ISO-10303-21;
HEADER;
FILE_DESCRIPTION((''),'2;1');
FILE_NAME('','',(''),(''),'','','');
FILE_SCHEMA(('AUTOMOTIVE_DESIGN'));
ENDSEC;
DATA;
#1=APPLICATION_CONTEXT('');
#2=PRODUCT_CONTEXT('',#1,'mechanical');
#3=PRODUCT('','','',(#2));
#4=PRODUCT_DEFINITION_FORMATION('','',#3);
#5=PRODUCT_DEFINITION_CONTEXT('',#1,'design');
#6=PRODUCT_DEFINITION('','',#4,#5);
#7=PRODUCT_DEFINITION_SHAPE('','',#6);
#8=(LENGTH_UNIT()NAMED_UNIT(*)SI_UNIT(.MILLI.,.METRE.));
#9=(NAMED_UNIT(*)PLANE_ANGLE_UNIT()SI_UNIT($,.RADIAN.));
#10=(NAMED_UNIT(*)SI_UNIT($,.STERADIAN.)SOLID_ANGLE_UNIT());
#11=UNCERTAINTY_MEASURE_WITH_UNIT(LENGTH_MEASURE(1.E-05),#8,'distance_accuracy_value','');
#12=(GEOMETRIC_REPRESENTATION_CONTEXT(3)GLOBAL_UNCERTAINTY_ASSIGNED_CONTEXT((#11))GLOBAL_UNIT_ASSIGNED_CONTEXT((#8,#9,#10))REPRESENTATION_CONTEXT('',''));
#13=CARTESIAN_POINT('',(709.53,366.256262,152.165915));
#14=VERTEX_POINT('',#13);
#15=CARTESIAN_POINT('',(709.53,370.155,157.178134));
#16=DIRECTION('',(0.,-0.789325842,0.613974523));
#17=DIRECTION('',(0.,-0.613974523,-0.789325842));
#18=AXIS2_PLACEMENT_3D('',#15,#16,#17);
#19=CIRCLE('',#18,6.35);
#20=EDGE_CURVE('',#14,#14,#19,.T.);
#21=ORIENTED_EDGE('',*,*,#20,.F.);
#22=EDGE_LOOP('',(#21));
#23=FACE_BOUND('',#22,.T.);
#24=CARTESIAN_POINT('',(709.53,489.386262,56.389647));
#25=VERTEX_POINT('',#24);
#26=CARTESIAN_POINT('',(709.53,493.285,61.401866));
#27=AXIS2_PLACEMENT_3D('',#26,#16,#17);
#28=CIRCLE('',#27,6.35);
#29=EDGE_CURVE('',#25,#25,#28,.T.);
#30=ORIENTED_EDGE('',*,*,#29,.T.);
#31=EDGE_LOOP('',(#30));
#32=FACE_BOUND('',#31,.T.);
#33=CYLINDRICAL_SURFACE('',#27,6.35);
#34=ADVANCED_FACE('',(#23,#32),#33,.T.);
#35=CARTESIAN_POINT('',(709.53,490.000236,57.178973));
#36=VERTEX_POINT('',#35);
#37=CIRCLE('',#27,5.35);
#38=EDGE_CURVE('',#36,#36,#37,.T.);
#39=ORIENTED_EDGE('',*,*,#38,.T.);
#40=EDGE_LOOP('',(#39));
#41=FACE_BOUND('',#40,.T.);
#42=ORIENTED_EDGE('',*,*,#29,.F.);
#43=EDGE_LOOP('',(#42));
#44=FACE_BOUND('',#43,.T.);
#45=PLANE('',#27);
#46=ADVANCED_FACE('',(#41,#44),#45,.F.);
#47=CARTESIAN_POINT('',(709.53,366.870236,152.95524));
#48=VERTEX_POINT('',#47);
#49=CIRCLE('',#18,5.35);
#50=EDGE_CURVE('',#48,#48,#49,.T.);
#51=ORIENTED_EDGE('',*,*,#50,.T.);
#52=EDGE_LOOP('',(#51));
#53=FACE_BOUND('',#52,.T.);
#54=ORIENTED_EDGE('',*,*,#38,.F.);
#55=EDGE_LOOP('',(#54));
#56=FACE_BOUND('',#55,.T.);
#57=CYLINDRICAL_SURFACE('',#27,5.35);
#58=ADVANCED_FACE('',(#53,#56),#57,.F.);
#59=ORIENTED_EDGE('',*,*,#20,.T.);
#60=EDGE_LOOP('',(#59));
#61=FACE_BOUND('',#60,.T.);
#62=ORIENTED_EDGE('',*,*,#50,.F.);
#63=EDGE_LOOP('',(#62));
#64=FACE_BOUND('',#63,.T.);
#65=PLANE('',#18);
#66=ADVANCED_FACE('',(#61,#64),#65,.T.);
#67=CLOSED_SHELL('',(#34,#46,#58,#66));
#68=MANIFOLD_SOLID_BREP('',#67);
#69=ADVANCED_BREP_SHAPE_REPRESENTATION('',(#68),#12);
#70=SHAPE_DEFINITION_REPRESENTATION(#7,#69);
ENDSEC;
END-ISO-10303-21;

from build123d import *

# Parameters (mm, degrees)
SWEEP_THIN1_PROFILE_R   = 6.35
SWEEP_THIN1_PROFILE_R_2 = 5.35


with BuildPart() as part:
    # Sweep-Thin1: sweep along a curve in space
    with BuildLine() as sweep_thin1_path:
        Line((709.53, 493.285000015, 61.401866262), (709.53, 370.154999985, 157.178133738))
    # Sweep-Thin1 profile (on start of the path) → Sweep-Thin1 (sweep)
    with BuildSketch(Plane(origin=(709.53, 493.285000015, 61.401866262), x_dir=(0, -0.6139745227437846, -0.7893258423626721), z_dir=(0, -0.7893258423626721, 0.6139745227437846))):
        Circle(SWEEP_THIN1_PROFILE_R)
        Circle(SWEEP_THIN1_PROFILE_R_2, mode=Mode.SUBTRACT)
    sweep(path=sweep_thin1_path.line)


solid = part.part
